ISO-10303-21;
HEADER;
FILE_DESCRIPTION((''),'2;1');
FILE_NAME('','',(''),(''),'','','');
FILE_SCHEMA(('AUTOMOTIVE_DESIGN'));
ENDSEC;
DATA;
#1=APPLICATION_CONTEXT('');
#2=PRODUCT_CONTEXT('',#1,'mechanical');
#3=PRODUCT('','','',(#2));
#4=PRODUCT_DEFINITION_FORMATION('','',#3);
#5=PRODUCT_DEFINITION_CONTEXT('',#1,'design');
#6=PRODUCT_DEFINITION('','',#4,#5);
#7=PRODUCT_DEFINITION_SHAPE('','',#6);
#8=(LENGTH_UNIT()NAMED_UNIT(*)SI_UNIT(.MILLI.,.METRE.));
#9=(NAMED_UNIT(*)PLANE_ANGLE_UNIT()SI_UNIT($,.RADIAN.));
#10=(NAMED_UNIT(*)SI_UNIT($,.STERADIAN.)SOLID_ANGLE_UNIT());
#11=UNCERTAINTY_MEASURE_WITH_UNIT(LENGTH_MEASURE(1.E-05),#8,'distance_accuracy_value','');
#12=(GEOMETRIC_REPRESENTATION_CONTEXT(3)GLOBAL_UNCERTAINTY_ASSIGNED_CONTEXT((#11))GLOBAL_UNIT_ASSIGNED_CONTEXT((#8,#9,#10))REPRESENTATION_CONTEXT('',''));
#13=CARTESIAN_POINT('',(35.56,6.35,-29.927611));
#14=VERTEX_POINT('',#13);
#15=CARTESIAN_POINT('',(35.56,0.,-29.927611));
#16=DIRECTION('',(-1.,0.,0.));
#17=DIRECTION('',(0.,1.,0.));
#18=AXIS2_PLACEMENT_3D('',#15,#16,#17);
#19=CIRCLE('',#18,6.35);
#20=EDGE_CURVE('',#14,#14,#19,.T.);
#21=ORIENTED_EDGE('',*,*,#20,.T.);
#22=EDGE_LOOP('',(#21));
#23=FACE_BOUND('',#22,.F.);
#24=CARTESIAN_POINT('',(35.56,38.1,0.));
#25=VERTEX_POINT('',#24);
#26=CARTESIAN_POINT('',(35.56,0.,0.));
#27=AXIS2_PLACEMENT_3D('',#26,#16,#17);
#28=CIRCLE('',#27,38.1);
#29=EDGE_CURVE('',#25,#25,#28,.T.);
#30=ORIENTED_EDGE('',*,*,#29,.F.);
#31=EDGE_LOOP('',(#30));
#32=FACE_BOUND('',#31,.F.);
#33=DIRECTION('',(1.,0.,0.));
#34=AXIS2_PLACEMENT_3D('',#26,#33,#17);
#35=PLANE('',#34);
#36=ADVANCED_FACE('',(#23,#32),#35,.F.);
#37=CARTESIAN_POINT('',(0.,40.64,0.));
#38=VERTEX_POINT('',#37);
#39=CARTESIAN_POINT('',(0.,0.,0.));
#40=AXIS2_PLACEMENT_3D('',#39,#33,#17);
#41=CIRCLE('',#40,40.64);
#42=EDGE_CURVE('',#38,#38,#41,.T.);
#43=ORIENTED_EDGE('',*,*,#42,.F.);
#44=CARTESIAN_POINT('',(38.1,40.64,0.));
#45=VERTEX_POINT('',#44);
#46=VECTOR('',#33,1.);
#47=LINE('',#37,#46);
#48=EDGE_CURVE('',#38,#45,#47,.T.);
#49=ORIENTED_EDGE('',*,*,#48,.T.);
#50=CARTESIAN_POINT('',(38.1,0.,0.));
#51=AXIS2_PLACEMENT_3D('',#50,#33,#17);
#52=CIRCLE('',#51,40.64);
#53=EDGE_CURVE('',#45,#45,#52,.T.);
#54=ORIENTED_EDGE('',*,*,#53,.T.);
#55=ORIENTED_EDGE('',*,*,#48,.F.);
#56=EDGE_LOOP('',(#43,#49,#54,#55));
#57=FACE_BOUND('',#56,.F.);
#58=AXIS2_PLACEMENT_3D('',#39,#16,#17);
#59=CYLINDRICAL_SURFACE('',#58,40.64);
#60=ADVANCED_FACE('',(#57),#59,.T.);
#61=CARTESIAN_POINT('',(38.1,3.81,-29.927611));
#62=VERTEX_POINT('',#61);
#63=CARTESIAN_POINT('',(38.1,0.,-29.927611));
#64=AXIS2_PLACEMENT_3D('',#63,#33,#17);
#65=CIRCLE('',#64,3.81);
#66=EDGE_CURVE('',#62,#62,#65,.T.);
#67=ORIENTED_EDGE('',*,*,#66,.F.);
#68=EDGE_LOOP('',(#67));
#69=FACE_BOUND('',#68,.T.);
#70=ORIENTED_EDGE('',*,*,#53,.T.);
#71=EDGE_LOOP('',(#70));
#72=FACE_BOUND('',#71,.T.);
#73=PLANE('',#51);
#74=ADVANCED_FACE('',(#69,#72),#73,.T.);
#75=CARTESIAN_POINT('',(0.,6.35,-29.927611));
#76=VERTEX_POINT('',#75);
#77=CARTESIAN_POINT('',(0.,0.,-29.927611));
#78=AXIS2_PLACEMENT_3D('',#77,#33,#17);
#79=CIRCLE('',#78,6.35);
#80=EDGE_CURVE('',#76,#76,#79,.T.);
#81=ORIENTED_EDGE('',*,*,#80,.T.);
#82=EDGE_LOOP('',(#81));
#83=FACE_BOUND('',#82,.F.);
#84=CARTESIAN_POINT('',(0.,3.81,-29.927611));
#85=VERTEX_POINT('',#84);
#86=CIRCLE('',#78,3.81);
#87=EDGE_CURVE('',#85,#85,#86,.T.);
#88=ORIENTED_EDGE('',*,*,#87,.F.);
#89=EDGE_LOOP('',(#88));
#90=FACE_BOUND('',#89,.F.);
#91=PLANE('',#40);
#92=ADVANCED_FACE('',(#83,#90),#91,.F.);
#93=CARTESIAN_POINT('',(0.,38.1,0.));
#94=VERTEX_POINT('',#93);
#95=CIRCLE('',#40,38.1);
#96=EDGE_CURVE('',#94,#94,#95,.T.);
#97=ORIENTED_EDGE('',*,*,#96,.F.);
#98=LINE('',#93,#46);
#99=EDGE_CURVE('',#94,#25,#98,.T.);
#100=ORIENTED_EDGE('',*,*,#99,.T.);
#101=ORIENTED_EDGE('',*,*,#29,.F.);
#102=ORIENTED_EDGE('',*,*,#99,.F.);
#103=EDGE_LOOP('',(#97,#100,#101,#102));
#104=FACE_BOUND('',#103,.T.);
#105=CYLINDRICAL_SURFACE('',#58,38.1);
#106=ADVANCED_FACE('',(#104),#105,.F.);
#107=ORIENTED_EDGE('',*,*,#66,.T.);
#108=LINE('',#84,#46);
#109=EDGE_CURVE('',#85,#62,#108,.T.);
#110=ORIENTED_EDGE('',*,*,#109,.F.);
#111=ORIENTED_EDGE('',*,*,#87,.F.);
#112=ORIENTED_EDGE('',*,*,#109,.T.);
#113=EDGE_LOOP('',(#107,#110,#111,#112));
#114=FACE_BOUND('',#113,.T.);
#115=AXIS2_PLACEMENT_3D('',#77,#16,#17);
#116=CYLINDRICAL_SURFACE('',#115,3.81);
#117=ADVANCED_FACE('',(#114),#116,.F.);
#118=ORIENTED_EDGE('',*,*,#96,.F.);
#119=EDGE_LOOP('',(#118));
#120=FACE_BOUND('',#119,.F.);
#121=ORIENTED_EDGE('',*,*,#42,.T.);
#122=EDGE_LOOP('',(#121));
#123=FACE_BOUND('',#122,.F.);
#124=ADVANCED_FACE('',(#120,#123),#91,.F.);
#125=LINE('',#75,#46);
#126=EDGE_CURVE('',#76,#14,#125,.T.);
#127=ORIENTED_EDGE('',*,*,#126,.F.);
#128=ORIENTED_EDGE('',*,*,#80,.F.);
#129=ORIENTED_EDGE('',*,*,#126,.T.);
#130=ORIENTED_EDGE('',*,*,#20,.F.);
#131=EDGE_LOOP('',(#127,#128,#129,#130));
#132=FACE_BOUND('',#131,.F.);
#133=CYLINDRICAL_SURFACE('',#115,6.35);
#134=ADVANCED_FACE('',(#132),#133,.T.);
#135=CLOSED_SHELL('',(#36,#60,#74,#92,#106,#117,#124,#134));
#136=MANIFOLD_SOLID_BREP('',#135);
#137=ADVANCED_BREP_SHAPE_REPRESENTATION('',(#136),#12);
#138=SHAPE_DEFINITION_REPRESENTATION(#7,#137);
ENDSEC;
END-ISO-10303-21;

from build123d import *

# Parameters (mm, degrees)
F0_R     = 40.64
F0_R_2   = 3.81
F1_DEPTH = 38.1
F2_T     = -2.54


with BuildPart() as f1:
    # F0 (on Right) → F1 (new body)
    with BuildSketch(Plane.YZ):
        Circle(F0_R)
        with Locations((0, -29.927611)):
            Circle(F0_R_2, mode=Mode.SUBTRACT)
    extrude(amount=F1_DEPTH)

    # F2
    f2_openings = [f1.faces().sort_by_distance(p)[0] for p in [
        (0, 0, 0.265368),
    ]]
    offset(amount=F2_T, openings=f2_openings)


solid = f1.part
